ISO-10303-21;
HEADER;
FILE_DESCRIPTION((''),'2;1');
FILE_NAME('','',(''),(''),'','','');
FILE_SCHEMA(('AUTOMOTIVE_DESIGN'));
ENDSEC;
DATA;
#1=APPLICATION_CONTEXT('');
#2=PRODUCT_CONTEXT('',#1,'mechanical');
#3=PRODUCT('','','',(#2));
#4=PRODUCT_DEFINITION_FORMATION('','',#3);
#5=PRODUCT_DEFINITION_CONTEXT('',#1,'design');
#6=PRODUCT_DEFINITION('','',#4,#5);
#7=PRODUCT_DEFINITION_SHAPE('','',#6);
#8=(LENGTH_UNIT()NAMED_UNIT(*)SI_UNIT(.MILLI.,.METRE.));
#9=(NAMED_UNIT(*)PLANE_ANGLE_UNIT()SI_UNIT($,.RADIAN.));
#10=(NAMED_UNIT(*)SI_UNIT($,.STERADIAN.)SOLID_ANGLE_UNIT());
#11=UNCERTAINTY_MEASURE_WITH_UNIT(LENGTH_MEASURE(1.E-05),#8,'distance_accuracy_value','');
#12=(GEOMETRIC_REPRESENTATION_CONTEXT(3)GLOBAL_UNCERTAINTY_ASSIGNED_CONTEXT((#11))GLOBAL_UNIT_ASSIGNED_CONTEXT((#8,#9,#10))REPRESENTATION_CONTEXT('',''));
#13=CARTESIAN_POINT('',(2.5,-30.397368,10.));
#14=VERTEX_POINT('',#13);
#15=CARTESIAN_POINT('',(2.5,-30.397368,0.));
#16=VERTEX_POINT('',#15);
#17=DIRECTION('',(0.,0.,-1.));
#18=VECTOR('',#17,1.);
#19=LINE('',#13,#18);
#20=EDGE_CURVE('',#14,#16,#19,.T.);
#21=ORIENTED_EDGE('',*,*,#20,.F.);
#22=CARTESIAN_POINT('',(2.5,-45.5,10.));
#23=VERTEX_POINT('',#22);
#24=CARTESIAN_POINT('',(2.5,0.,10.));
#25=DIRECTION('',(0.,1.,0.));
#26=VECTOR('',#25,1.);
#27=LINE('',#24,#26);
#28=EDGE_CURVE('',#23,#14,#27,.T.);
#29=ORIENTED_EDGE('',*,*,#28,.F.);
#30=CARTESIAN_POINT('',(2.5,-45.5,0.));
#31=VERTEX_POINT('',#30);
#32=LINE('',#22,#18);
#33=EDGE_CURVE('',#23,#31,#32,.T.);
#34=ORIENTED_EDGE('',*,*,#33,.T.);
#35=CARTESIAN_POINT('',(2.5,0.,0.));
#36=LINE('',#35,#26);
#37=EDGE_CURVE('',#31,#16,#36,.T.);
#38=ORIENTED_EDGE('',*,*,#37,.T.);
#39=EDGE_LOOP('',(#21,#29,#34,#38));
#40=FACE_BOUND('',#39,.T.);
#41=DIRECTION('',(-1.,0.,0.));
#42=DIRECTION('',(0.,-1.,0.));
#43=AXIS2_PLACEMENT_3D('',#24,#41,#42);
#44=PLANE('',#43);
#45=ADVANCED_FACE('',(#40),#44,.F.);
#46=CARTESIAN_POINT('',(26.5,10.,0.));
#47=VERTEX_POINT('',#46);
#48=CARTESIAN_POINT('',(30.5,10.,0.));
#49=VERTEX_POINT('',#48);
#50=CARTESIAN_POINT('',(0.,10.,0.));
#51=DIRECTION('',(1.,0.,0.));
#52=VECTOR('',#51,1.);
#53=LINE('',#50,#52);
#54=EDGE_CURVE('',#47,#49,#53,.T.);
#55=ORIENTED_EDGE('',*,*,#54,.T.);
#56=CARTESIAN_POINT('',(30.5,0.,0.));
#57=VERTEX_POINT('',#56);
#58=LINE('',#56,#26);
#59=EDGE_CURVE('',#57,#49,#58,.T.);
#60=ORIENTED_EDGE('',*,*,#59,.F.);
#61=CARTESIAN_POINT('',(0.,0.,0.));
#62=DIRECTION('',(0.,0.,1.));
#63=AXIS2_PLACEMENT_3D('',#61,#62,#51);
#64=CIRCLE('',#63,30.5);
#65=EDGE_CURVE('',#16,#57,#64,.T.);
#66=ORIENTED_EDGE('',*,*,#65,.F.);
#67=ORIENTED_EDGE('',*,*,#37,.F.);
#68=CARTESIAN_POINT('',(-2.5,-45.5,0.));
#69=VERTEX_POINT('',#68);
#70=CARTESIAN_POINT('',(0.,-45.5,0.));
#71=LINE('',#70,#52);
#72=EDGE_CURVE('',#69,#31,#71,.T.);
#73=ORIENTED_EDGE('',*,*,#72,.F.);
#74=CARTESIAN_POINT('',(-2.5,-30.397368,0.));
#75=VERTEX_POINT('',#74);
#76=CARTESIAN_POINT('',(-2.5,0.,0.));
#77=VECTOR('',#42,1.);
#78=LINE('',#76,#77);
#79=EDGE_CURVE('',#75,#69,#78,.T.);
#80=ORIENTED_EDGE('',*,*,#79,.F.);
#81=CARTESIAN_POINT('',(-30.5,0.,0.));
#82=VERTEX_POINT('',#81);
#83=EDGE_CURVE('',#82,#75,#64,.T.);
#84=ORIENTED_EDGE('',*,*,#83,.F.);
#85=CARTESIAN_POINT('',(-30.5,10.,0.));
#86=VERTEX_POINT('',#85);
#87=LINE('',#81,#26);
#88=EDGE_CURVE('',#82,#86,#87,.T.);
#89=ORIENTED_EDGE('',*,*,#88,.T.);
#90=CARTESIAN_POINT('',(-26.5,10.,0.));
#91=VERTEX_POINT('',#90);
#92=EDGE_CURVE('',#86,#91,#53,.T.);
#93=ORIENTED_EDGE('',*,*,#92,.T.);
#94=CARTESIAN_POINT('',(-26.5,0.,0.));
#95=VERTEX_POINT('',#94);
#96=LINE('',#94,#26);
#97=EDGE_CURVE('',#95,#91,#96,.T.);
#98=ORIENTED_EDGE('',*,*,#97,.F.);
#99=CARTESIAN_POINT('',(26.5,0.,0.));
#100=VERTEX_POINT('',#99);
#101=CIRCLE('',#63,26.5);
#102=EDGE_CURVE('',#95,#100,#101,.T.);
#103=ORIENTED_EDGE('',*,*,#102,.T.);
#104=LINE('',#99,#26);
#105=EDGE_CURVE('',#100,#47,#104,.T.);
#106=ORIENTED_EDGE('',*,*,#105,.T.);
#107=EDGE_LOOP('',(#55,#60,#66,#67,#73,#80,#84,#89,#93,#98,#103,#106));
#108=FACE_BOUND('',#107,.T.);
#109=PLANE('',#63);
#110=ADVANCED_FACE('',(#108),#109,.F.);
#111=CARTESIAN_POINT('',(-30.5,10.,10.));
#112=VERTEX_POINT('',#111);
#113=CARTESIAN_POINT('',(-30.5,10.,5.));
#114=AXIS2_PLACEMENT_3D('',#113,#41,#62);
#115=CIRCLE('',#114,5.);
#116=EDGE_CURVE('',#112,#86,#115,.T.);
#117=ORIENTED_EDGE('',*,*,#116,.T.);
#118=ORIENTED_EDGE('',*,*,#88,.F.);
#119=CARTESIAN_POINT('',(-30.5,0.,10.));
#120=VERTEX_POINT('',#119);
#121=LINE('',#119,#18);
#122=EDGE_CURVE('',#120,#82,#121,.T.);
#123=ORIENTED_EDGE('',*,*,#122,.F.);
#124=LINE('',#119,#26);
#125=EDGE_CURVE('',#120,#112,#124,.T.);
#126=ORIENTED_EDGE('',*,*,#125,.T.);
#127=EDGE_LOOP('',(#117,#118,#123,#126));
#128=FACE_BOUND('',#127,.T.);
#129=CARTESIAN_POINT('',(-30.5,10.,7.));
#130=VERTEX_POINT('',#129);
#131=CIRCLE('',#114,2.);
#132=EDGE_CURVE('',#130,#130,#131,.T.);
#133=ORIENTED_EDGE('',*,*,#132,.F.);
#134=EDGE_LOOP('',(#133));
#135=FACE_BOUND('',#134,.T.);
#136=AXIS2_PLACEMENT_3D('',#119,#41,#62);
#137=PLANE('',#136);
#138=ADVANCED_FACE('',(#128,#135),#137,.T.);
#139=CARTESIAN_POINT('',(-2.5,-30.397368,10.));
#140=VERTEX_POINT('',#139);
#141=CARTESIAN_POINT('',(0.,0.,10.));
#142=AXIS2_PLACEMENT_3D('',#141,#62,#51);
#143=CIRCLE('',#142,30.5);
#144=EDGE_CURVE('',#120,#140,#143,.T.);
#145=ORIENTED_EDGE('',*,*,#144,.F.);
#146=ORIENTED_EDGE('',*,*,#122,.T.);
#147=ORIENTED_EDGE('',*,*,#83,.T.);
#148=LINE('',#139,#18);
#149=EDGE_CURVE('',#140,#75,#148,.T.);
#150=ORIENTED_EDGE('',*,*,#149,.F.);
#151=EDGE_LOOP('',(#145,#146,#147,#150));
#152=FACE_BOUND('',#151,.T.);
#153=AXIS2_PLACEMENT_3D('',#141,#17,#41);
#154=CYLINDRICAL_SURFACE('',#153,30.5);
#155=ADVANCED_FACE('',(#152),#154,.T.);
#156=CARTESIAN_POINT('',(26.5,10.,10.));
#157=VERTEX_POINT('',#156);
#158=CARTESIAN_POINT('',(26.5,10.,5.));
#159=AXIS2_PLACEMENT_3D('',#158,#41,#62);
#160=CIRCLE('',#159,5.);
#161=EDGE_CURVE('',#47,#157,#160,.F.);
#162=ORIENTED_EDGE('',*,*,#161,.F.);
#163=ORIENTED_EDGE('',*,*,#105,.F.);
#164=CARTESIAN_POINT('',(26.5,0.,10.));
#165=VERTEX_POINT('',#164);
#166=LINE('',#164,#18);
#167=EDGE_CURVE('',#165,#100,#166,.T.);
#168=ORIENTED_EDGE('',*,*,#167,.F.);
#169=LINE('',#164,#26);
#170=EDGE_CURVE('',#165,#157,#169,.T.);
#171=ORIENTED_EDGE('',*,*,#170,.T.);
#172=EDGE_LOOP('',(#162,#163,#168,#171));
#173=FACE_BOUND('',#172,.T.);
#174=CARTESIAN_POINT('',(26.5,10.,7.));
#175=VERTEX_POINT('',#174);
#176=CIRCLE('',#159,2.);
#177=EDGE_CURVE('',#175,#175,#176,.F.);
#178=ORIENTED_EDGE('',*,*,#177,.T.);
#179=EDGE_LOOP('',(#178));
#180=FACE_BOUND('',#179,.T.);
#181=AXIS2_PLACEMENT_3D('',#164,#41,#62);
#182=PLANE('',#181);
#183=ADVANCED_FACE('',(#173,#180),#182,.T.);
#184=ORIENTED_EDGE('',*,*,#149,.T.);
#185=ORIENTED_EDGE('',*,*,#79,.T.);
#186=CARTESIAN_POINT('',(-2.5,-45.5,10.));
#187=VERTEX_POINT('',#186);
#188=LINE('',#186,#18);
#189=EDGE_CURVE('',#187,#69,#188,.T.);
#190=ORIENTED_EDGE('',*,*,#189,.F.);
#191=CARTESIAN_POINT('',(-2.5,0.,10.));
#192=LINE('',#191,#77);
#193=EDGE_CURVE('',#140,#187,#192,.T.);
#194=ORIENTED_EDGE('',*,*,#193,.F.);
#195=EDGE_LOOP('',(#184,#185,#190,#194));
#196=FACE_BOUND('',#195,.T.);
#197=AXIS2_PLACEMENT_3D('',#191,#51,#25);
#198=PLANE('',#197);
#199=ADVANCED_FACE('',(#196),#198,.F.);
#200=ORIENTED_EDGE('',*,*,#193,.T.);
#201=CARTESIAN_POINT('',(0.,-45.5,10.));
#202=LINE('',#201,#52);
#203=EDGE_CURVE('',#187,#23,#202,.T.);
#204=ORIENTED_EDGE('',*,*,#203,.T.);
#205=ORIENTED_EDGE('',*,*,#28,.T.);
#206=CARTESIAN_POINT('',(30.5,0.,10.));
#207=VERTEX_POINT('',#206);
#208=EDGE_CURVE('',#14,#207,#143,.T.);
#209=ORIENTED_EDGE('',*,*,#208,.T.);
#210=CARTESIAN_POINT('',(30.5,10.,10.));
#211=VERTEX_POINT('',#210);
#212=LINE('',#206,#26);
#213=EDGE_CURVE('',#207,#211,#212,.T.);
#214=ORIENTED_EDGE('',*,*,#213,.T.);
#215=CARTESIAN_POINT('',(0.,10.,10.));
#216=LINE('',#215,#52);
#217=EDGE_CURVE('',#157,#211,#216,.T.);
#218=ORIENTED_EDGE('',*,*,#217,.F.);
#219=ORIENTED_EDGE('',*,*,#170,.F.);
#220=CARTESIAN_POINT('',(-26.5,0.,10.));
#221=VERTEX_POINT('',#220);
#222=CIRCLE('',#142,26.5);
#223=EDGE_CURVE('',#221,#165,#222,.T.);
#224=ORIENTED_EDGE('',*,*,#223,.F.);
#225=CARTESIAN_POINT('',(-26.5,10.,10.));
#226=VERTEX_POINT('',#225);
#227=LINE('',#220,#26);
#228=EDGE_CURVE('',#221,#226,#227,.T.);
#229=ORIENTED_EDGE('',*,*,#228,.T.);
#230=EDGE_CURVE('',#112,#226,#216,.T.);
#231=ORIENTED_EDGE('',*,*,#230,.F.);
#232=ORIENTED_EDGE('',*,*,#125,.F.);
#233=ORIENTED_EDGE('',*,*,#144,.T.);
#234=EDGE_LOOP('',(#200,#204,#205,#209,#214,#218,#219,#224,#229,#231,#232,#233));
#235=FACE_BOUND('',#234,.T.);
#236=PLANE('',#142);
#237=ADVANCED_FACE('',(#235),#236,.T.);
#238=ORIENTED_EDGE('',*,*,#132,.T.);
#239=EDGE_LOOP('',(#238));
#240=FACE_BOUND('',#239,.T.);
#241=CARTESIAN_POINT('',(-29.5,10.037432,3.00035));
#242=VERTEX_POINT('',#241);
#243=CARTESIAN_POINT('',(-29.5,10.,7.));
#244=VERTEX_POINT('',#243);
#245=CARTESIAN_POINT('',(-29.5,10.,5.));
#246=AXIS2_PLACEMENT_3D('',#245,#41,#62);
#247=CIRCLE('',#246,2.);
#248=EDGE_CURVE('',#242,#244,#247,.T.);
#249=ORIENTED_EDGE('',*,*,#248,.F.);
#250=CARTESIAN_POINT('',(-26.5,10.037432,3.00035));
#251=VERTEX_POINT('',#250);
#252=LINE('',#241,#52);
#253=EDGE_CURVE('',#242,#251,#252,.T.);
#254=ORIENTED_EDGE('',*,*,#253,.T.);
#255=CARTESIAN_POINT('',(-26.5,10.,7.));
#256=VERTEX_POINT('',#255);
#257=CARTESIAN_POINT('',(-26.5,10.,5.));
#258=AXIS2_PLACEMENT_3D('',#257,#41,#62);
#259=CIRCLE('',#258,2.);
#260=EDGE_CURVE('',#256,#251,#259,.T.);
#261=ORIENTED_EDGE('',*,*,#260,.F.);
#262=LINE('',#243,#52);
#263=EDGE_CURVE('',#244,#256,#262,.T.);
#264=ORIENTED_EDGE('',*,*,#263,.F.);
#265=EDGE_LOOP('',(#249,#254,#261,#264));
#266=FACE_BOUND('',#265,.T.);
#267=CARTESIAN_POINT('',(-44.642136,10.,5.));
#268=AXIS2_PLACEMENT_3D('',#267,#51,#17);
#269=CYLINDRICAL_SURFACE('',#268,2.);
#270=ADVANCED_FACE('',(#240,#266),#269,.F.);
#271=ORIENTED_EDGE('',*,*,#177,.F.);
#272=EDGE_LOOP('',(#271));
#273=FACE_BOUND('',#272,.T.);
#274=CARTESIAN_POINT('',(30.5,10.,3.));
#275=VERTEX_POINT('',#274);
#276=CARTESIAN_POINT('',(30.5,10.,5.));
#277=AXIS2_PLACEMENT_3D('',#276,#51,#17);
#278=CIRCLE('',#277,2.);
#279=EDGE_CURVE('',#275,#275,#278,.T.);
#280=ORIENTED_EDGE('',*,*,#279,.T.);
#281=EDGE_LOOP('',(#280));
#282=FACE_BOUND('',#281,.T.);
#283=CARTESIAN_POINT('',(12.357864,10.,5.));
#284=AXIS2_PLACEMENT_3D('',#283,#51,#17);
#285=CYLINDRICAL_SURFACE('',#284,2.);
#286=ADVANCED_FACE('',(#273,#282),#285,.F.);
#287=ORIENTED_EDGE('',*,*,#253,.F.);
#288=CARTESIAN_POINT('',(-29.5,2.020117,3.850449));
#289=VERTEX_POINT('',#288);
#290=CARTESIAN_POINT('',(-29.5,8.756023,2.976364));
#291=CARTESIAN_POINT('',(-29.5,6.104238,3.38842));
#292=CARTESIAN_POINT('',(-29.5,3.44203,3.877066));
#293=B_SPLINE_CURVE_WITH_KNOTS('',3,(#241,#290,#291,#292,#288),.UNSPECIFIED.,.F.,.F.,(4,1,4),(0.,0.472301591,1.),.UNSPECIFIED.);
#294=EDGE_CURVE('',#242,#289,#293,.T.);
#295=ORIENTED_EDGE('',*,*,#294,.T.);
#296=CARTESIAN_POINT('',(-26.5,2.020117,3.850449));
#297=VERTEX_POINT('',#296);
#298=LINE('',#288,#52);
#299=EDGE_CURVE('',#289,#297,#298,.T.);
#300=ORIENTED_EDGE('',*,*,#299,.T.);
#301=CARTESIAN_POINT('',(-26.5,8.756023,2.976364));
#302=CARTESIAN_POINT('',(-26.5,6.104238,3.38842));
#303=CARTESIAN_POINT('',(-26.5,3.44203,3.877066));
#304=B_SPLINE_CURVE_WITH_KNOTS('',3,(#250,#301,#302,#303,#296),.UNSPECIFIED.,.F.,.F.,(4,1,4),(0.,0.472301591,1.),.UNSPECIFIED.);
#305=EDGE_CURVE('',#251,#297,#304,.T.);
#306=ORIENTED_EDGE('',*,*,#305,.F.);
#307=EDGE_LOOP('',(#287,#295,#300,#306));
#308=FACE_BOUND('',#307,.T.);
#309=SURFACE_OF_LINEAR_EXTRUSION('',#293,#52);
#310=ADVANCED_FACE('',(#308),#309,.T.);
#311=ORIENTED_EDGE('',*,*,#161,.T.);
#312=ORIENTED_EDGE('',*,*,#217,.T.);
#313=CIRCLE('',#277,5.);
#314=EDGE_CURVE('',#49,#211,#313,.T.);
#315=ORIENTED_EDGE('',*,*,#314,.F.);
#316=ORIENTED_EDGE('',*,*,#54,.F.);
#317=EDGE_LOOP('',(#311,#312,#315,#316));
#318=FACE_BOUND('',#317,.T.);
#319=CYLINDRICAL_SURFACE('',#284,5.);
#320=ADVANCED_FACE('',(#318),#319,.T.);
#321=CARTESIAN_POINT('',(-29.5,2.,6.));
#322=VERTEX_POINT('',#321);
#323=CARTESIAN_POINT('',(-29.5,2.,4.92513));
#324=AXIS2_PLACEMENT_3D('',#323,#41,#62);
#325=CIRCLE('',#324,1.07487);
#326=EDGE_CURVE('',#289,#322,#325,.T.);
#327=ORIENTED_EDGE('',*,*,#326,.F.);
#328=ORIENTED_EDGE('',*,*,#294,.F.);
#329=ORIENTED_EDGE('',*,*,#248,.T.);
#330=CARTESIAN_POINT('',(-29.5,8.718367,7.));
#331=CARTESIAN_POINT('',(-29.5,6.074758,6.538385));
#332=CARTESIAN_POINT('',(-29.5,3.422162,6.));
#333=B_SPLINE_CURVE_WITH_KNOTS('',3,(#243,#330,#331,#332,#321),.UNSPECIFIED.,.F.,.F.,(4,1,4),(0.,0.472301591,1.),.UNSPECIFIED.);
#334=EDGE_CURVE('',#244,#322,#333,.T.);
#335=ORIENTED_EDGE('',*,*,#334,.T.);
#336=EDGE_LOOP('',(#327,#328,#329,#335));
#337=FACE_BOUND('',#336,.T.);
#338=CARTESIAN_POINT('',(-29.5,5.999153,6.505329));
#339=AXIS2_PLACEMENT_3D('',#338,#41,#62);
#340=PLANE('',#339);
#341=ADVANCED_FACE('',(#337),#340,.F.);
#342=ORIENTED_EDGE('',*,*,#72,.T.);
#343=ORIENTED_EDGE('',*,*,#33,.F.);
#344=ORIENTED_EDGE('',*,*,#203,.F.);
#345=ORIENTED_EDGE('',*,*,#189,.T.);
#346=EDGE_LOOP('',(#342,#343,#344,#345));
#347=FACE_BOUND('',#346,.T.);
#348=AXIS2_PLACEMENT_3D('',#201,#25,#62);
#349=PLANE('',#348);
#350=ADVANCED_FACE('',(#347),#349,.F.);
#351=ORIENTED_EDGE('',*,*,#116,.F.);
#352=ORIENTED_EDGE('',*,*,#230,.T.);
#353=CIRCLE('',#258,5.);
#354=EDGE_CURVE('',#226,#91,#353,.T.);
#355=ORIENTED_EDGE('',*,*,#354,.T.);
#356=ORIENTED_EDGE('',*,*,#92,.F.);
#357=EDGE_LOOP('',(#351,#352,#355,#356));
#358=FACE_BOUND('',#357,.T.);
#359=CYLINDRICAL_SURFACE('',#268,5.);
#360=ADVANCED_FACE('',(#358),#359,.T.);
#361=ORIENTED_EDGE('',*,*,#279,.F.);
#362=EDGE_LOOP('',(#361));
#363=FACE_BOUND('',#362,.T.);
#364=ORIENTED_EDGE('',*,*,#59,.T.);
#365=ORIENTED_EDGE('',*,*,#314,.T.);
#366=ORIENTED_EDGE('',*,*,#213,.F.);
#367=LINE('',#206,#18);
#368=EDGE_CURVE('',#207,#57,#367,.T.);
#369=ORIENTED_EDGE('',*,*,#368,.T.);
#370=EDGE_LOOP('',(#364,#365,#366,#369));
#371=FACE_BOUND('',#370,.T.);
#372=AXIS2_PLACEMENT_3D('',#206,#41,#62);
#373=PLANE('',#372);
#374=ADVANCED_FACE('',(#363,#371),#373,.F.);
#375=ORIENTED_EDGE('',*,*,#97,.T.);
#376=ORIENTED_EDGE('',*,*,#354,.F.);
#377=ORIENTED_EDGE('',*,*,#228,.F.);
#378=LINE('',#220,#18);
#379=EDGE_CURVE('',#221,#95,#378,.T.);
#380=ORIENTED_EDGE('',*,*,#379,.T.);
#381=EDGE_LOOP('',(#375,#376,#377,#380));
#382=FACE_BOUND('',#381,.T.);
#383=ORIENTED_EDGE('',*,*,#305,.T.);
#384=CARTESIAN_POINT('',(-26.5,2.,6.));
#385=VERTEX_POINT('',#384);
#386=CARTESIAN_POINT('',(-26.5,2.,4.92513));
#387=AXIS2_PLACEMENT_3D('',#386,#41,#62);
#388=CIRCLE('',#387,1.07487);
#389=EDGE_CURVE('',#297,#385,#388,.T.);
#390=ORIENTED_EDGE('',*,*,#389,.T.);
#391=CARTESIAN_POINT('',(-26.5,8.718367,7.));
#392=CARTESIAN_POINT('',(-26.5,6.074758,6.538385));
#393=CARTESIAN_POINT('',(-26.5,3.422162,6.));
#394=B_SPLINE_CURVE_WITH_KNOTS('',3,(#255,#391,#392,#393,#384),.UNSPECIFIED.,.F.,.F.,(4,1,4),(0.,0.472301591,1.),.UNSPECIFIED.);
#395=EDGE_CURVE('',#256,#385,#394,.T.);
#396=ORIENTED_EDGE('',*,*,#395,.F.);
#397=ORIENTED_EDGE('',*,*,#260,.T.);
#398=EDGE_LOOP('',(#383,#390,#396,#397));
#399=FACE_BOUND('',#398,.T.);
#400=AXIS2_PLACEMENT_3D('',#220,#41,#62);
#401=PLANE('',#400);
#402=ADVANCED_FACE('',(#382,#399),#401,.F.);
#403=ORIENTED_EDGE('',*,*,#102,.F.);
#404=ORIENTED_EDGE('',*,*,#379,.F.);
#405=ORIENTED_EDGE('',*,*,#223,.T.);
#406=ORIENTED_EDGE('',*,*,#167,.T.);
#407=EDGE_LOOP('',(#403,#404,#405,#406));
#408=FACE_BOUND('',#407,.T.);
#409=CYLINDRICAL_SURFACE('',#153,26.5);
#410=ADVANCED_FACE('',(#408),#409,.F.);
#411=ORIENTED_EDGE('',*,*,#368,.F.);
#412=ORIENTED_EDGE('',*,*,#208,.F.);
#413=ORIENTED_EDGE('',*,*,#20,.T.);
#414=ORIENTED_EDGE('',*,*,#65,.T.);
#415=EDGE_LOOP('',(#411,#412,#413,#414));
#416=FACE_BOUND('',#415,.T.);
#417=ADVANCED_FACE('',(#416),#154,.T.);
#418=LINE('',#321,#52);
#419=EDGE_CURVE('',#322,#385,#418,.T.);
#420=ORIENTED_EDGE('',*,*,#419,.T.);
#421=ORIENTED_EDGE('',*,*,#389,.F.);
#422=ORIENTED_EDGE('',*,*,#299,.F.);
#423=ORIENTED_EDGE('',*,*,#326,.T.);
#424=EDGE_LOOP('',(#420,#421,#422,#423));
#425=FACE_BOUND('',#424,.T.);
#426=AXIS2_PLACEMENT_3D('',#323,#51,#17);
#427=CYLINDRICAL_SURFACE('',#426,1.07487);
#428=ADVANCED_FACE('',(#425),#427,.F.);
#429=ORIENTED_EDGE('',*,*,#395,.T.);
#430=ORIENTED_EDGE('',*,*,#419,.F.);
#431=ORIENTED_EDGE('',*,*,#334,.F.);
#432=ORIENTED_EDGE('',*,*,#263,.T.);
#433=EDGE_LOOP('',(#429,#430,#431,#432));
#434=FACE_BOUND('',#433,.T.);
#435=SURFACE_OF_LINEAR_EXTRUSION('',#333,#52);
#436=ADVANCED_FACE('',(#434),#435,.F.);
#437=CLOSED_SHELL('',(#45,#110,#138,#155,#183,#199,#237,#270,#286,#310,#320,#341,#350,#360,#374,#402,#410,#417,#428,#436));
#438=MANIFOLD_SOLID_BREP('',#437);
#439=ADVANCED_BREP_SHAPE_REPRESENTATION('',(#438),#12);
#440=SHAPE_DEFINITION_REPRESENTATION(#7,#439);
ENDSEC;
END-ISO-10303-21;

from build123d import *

# Parameters (mm, degrees)
BOSS_EXTRUDE1_DEPTH     = 10
SKETCH3_R               = 5
SKETCH3_R_2             = 2
BOSS_EXTRUDE2_DEPTH     = 4
BOSS_EXTRUDE3_START     = -57
SKETCH3_2_R             = 5
SKETCH3_2_R_2           = 2
BOSS_EXTRUDE3_DEPTH     = 4
CUT_EXTRUDE1_DEPTH      = 1
CUT_EXTRUDE1_DEPTH_BACK = 62
CUT_EXTRUDE2_START      = -4
SKETCH4_R               = 1.074869596
CUT_EXTRUDE2_DEPTH      = 3


with BuildPart() as part:
    # Sketch2 → Boss-Extrude1 (new body)
    with BuildSketch(Plane.XY):
        with BuildLine():
            Line((-30.5, 0), (-30.5, 10))
            Line((-30.5, 10), (-26.5, 10))
            Line((-26.5, 10), (-26.5, 0))
            ThreePointArc((-26.5, 0), (0, -26.5), (26.5, 0))
            Line((26.5, 0), (26.5, 10))
            Line((26.5, 10), (30.5, 10))
            Line((30.5, 10), (30.5, 0))
            ThreePointArc((30.5, 0), (0, -30.5), (-30.5, 0))
        make_face()
        with BuildLine():
            ThreePointArc((2.5, -30.397368307), (0, -30.5), (-2.5, -30.397368307))
            Line((-2.5, -30.397368307), (-2.5, -45.5))
            Line((-2.5, -45.5), (2.5, -45.5))
            Line((2.5, -45.5), (2.5, -30.397368307))
        make_face()
    extrude(amount=BOSS_EXTRUDE1_DEPTH)

    # Sketch3 → Boss-Extrude2 (add)
    with BuildSketch(Plane(origin=(30.5, 0, 0), x_dir=(0, 0, -1), z_dir=(1, 0, 0))):
        with Locations((-5, 10)):
            Circle(SKETCH3_R)
        with Locations((-5, 10)):
            Circle(SKETCH3_R_2, mode=Mode.SUBTRACT)
    extrude(amount=-BOSS_EXTRUDE2_DEPTH)

    # Sketch3<2> → Boss-Extrude3 (add)
    with BuildSketch(Plane(origin=(30.5, 0, 0), x_dir=(0, 0, -1), z_dir=(1, 0, 0)).offset(BOSS_EXTRUDE3_START)):
        with Locations((-5, 10)):
            Circle(SKETCH3_2_R)
        with Locations((-5, 10)):
            Circle(SKETCH3_2_R_2, mode=Mode.SUBTRACT)
    extrude(amount=-BOSS_EXTRUDE3_DEPTH)

    # Sketch3<3> → Cut-Extrude1 (cut, two sides)
    with BuildSketch(Plane(origin=(30.5, 0, 0), x_dir=(0, 0, -1), z_dir=(1, 0, 0))) as cut_extrude1_sk:
        with BuildLine():
            Line((-7, 10), (-3, 10))
            ThreePointArc((-3, 10), (-5, 12), (-7, 10))
        make_face()
        with BuildLine():
            ThreePointArc((-7, 10), (-5, 8), (-3, 10))
            Line((-3, 10), (-7, 10))
        make_face()
    extrude(amount=CUT_EXTRUDE1_DEPTH, mode=Mode.SUBTRACT)
    extrude(cut_extrude1_sk.sketch, amount=-CUT_EXTRUDE1_DEPTH_BACK, mode=Mode.SUBTRACT)

    # Sketch4 → Cut-Extrude2 (cut)
    with BuildSketch(Plane.ZY.offset(30.5).offset(CUT_EXTRUDE2_START)):
        with BuildLine():
            ThreePointArc((7, 10), (6.935947021, 9.497895298), (6.747890868, 9.027951898))
            ThreePointArc((6.747890868, 9.027951898), (4.964769811, 8.000310316), (3.218953718, 9.090124106))
            ThreePointArc((3.218953718, 9.090124106), (3.051214906, 9.550292696), (3.00035031, 10.03743152))
            add(Edge.make_bspline(
                [(3.00035031, 10.03743152), (2.976363567, 8.756022572), (3.388420112, 6.104237748), (3.877065914, 3.442029618), (3.850449076, 2.020117001)],
                knots=[0, 0, 0, 0, 0.472301591, 1, 1, 1, 1], degree=3))
            ThreePointArc((3.850449076, 2.020117001), (4.935189345, 3.074822528), (6, 2))
            add(Edge.make_bspline(
                [(7, 10), (7, 8.718366567), (6.538385461, 6.074758168), (6, 3.422161716), (6, 2)],
                knots=[0, 0, 0, 0, 0.472301591, 1, 1, 1, 1], degree=3))
        make_face()
        with Locations((4.925130404, 2)):
            Circle(SKETCH4_R)
    extrude(amount=CUT_EXTRUDE2_DEPTH, mode=Mode.SUBTRACT)


solid = part.part
